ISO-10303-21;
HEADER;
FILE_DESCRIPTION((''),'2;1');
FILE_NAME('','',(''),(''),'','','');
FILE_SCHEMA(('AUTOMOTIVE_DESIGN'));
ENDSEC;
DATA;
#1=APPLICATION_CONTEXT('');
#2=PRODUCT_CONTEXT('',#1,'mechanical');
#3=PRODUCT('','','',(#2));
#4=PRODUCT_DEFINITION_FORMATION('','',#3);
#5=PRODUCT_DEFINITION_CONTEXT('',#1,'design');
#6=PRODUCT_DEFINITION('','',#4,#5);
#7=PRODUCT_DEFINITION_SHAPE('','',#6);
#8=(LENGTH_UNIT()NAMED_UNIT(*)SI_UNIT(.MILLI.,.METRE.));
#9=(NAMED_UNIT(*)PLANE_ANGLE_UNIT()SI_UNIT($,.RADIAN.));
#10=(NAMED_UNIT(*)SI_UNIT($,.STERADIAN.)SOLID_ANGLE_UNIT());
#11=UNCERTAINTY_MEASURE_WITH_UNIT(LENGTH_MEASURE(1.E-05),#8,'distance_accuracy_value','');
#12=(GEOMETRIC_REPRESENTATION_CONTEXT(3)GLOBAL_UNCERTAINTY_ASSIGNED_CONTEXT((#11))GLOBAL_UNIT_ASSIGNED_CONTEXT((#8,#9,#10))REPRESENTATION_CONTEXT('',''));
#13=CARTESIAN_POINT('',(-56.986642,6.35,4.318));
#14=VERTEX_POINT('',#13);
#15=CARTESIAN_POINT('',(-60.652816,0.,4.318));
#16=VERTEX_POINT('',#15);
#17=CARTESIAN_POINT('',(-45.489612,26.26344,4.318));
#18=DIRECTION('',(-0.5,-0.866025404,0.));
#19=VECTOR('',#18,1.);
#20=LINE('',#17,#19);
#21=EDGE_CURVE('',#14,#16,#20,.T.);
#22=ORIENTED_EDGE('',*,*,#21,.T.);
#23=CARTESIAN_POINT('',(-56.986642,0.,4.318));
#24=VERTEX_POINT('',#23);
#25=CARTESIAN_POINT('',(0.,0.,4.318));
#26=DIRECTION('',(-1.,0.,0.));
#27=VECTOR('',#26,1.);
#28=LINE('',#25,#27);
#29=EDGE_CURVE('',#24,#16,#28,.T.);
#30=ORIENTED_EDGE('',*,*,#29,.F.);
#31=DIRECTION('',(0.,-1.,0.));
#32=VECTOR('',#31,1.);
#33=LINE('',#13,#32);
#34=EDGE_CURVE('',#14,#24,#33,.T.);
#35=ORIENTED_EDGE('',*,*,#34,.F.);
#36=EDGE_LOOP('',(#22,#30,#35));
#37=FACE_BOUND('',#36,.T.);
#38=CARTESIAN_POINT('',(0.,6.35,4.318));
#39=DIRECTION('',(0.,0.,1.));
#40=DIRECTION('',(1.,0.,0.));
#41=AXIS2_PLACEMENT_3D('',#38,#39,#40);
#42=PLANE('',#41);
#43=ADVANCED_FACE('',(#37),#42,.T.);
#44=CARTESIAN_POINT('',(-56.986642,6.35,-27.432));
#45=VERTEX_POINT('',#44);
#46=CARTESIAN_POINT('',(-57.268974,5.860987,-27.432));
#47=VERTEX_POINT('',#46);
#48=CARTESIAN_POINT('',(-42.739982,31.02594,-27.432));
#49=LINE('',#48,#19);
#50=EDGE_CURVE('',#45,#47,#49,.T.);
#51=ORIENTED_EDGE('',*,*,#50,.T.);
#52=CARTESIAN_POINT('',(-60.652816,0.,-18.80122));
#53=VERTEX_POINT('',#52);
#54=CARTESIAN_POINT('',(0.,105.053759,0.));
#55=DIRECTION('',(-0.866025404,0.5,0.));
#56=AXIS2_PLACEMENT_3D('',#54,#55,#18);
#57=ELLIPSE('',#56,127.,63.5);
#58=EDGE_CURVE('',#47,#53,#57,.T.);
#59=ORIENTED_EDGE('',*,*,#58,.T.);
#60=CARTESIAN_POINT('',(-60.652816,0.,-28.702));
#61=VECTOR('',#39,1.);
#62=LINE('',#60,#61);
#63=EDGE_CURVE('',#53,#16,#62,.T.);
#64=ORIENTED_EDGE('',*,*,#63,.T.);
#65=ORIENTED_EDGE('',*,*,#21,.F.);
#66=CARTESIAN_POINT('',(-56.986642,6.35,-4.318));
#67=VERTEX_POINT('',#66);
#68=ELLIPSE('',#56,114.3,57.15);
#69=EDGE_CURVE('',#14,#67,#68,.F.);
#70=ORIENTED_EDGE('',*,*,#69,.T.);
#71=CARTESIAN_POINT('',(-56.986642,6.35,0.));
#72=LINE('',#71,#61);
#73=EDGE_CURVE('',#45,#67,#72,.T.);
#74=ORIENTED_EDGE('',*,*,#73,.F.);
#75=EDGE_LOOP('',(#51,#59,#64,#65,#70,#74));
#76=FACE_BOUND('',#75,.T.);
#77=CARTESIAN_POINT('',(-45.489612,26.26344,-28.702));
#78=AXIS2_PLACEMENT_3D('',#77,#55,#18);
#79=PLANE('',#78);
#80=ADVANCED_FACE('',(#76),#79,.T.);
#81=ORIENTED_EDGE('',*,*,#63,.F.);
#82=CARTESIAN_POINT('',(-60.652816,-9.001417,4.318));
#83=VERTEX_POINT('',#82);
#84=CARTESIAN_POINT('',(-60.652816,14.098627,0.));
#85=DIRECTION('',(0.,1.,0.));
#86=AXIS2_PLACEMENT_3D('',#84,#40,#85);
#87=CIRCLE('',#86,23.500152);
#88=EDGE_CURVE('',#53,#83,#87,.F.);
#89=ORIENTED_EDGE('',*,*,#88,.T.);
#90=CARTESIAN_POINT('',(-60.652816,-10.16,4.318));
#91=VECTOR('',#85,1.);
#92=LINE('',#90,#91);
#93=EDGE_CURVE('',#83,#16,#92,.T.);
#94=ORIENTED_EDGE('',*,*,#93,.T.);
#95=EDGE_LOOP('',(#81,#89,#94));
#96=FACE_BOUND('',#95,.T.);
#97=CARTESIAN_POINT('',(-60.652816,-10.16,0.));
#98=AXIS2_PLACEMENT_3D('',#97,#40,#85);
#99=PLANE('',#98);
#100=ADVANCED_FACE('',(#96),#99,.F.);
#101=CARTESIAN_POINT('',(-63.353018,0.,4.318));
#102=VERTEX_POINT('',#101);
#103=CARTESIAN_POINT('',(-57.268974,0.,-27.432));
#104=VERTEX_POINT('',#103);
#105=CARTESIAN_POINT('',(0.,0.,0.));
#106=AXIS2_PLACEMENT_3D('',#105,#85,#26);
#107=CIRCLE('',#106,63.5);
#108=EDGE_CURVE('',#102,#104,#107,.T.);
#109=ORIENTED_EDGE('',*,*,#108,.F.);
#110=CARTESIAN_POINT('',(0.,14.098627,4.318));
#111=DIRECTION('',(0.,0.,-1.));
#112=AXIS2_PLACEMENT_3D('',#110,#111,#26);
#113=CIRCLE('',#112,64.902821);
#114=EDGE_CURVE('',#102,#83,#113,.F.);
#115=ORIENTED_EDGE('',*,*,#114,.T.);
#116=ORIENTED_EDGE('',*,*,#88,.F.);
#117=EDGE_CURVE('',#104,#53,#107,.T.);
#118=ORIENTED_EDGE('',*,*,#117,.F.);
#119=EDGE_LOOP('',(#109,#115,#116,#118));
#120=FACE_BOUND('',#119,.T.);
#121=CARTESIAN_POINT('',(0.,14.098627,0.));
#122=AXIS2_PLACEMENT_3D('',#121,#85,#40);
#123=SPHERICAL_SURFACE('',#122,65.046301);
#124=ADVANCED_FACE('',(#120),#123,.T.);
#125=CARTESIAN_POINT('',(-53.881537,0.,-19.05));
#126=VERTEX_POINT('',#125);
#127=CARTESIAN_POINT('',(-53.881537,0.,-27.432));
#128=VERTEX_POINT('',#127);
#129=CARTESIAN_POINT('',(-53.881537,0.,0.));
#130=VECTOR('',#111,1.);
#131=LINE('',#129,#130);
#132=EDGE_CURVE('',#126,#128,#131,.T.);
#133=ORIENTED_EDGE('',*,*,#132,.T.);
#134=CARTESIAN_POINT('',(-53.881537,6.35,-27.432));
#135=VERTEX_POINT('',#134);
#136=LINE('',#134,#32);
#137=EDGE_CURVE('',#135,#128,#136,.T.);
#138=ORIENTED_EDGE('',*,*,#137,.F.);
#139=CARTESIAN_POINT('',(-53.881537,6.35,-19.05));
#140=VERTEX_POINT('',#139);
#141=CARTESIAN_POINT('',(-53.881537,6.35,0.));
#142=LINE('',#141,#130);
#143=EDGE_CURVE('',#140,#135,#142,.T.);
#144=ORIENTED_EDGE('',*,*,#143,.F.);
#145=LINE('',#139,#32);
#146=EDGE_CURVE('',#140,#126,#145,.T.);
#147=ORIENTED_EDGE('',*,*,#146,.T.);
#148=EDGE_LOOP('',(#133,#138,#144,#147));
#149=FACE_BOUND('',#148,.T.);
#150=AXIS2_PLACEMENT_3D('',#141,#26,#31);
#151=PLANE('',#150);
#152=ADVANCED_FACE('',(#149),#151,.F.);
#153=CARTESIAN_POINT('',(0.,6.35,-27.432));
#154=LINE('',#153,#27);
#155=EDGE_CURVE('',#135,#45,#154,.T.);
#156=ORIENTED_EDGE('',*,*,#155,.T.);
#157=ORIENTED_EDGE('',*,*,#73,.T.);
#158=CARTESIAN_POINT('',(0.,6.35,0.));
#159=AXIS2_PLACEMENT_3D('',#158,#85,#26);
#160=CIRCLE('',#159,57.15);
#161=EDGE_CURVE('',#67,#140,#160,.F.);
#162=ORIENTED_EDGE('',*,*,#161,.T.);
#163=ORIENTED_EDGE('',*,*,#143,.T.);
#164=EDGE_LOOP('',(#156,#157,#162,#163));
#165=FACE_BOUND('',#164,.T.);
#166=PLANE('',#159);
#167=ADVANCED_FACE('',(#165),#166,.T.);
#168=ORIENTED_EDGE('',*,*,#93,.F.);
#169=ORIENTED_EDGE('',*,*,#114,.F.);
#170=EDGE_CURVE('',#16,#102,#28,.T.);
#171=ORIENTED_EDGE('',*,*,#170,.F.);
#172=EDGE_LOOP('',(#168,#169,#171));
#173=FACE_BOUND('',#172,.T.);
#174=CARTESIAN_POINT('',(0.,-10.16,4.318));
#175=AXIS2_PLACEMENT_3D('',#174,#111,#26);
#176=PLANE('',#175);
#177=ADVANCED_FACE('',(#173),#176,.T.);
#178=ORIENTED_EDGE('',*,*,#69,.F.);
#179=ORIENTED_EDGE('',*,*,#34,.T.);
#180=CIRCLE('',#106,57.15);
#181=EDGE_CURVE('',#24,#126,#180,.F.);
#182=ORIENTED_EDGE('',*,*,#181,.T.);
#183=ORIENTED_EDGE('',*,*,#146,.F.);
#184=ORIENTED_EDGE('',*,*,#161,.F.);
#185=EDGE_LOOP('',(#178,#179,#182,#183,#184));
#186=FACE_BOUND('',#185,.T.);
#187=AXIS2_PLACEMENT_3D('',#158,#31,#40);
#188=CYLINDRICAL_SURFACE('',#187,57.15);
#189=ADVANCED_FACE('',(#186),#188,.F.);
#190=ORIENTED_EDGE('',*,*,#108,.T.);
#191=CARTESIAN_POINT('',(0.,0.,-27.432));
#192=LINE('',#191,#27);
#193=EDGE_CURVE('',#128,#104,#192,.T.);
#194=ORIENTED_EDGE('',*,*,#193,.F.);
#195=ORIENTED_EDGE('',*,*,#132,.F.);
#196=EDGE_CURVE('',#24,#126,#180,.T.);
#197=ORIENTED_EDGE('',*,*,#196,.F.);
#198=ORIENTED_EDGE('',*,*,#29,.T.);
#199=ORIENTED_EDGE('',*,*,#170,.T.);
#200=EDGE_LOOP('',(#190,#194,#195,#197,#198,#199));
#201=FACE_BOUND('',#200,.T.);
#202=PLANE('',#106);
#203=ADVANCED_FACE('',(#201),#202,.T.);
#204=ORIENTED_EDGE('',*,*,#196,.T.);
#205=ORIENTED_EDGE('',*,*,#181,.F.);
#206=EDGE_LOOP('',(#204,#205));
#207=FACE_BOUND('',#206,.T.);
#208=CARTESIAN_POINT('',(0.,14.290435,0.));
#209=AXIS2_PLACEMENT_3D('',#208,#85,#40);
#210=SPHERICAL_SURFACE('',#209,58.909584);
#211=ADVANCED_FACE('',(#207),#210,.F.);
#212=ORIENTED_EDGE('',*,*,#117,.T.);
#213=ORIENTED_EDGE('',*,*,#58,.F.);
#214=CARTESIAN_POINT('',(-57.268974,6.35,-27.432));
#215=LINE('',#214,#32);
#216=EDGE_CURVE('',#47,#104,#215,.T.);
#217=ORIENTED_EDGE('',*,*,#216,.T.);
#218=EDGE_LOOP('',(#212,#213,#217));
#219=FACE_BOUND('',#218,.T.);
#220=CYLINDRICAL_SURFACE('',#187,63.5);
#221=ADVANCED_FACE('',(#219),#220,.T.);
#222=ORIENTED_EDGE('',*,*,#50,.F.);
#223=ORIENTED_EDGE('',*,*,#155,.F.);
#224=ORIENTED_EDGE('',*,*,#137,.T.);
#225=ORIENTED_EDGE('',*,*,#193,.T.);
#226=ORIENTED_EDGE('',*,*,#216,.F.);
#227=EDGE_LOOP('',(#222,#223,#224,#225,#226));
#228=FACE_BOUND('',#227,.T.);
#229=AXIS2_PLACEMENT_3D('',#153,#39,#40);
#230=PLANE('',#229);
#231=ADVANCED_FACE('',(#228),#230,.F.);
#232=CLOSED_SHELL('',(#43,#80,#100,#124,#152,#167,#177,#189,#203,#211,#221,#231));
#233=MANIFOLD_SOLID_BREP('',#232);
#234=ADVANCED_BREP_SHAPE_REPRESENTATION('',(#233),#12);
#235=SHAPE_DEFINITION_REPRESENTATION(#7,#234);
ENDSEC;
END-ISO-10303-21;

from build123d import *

# Parameters (mm, degrees)
BOSS_EXTRUDE1_DEPTH = 6.35
CUT_EXTRUDE1_DEPTH  = 33.02
CUT_EXTRUDE2_START  = -10.16
CUT_EXTRUDE2_DEPTH  = 10.16


with BuildPart() as part:
    # Sketch2 → Revolve1 (revolve)
    with BuildSketch(Plane.XY):
        with BuildLine():
            Line((63.5, 0), (57.15, 0))
            ThreePointArc((57.15, 0), (36.252554785, -32.143295216), (0, -44.61914851))
            Line((0, -44.61914851), (0, -50.8))
            Line((0, -50.8), (0, -50.947674419))
            ThreePointArc((0, -50.947674419), (40.70600548, -36.636394765), (63.5, 0))
        make_face()
    revolve(axis=Axis((0, 0, 0), (0, -1, 0)))

    # Sketch5 → Boss-Extrude1 (add)
    with BuildSketch(Plane(origin=(0, 0, 0), x_dir=(1, 0, 0), z_dir=(0, 1, 0))):
        with BuildLine():
            ThreePointArc((-56.986642084, -4.318), (-56.652044307, 7.52784005), (-53.881536726, 19.05))
            Line((-53.881536726, 19.05), (-53.881536726, 27.432))
            Line((-53.881536726, 27.432), (-57.268973939, 27.432))
            ThreePointArc((-57.268973939, 27.432), (-61.408309513, 16.163833787), (-63.353017892, 4.318))
            Line((-63.353017892, 4.318), (-63.353017892, -4.318))
            Line((-63.353017892, -4.318), (-56.986642084, -4.318))
        make_face()
    extrude(amount=BOSS_EXTRUDE1_DEPTH)

    # Sketch6 → Cut-Extrude1 (cut)
    with BuildSketch(Plane.XY.offset(4.318)):
        Polygon((-60.652816293, 0), (-56.986642084, 6.35), (-63.353017892, 6.35), (-63.353017892, 0), align=None)
    extrude(amount=-CUT_EXTRUDE1_DEPTH, mode=Mode.SUBTRACT)

    # Sketch7 → Cut-Extrude2 (cut)
    with BuildSketch(Plane(origin=(0, 0, 0), x_dir=(1, 0, 0), z_dir=(0, 1, 0)).offset(CUT_EXTRUDE2_START)):
        with BuildLine():
            Line((-63.353017892, -4.318), (-60.652816293, -4.318))
            Line((-60.652816293, -4.318), (-60.652816293, 18.801220059))
            ThreePointArc((-60.652816293, 18.801220059), (-63.071279613, 7.366389074), (-63.353017892, -4.318))
        make_face()
    extrude(amount=CUT_EXTRUDE2_DEPTH, mode=Mode.SUBTRACT)


solid = part.part
